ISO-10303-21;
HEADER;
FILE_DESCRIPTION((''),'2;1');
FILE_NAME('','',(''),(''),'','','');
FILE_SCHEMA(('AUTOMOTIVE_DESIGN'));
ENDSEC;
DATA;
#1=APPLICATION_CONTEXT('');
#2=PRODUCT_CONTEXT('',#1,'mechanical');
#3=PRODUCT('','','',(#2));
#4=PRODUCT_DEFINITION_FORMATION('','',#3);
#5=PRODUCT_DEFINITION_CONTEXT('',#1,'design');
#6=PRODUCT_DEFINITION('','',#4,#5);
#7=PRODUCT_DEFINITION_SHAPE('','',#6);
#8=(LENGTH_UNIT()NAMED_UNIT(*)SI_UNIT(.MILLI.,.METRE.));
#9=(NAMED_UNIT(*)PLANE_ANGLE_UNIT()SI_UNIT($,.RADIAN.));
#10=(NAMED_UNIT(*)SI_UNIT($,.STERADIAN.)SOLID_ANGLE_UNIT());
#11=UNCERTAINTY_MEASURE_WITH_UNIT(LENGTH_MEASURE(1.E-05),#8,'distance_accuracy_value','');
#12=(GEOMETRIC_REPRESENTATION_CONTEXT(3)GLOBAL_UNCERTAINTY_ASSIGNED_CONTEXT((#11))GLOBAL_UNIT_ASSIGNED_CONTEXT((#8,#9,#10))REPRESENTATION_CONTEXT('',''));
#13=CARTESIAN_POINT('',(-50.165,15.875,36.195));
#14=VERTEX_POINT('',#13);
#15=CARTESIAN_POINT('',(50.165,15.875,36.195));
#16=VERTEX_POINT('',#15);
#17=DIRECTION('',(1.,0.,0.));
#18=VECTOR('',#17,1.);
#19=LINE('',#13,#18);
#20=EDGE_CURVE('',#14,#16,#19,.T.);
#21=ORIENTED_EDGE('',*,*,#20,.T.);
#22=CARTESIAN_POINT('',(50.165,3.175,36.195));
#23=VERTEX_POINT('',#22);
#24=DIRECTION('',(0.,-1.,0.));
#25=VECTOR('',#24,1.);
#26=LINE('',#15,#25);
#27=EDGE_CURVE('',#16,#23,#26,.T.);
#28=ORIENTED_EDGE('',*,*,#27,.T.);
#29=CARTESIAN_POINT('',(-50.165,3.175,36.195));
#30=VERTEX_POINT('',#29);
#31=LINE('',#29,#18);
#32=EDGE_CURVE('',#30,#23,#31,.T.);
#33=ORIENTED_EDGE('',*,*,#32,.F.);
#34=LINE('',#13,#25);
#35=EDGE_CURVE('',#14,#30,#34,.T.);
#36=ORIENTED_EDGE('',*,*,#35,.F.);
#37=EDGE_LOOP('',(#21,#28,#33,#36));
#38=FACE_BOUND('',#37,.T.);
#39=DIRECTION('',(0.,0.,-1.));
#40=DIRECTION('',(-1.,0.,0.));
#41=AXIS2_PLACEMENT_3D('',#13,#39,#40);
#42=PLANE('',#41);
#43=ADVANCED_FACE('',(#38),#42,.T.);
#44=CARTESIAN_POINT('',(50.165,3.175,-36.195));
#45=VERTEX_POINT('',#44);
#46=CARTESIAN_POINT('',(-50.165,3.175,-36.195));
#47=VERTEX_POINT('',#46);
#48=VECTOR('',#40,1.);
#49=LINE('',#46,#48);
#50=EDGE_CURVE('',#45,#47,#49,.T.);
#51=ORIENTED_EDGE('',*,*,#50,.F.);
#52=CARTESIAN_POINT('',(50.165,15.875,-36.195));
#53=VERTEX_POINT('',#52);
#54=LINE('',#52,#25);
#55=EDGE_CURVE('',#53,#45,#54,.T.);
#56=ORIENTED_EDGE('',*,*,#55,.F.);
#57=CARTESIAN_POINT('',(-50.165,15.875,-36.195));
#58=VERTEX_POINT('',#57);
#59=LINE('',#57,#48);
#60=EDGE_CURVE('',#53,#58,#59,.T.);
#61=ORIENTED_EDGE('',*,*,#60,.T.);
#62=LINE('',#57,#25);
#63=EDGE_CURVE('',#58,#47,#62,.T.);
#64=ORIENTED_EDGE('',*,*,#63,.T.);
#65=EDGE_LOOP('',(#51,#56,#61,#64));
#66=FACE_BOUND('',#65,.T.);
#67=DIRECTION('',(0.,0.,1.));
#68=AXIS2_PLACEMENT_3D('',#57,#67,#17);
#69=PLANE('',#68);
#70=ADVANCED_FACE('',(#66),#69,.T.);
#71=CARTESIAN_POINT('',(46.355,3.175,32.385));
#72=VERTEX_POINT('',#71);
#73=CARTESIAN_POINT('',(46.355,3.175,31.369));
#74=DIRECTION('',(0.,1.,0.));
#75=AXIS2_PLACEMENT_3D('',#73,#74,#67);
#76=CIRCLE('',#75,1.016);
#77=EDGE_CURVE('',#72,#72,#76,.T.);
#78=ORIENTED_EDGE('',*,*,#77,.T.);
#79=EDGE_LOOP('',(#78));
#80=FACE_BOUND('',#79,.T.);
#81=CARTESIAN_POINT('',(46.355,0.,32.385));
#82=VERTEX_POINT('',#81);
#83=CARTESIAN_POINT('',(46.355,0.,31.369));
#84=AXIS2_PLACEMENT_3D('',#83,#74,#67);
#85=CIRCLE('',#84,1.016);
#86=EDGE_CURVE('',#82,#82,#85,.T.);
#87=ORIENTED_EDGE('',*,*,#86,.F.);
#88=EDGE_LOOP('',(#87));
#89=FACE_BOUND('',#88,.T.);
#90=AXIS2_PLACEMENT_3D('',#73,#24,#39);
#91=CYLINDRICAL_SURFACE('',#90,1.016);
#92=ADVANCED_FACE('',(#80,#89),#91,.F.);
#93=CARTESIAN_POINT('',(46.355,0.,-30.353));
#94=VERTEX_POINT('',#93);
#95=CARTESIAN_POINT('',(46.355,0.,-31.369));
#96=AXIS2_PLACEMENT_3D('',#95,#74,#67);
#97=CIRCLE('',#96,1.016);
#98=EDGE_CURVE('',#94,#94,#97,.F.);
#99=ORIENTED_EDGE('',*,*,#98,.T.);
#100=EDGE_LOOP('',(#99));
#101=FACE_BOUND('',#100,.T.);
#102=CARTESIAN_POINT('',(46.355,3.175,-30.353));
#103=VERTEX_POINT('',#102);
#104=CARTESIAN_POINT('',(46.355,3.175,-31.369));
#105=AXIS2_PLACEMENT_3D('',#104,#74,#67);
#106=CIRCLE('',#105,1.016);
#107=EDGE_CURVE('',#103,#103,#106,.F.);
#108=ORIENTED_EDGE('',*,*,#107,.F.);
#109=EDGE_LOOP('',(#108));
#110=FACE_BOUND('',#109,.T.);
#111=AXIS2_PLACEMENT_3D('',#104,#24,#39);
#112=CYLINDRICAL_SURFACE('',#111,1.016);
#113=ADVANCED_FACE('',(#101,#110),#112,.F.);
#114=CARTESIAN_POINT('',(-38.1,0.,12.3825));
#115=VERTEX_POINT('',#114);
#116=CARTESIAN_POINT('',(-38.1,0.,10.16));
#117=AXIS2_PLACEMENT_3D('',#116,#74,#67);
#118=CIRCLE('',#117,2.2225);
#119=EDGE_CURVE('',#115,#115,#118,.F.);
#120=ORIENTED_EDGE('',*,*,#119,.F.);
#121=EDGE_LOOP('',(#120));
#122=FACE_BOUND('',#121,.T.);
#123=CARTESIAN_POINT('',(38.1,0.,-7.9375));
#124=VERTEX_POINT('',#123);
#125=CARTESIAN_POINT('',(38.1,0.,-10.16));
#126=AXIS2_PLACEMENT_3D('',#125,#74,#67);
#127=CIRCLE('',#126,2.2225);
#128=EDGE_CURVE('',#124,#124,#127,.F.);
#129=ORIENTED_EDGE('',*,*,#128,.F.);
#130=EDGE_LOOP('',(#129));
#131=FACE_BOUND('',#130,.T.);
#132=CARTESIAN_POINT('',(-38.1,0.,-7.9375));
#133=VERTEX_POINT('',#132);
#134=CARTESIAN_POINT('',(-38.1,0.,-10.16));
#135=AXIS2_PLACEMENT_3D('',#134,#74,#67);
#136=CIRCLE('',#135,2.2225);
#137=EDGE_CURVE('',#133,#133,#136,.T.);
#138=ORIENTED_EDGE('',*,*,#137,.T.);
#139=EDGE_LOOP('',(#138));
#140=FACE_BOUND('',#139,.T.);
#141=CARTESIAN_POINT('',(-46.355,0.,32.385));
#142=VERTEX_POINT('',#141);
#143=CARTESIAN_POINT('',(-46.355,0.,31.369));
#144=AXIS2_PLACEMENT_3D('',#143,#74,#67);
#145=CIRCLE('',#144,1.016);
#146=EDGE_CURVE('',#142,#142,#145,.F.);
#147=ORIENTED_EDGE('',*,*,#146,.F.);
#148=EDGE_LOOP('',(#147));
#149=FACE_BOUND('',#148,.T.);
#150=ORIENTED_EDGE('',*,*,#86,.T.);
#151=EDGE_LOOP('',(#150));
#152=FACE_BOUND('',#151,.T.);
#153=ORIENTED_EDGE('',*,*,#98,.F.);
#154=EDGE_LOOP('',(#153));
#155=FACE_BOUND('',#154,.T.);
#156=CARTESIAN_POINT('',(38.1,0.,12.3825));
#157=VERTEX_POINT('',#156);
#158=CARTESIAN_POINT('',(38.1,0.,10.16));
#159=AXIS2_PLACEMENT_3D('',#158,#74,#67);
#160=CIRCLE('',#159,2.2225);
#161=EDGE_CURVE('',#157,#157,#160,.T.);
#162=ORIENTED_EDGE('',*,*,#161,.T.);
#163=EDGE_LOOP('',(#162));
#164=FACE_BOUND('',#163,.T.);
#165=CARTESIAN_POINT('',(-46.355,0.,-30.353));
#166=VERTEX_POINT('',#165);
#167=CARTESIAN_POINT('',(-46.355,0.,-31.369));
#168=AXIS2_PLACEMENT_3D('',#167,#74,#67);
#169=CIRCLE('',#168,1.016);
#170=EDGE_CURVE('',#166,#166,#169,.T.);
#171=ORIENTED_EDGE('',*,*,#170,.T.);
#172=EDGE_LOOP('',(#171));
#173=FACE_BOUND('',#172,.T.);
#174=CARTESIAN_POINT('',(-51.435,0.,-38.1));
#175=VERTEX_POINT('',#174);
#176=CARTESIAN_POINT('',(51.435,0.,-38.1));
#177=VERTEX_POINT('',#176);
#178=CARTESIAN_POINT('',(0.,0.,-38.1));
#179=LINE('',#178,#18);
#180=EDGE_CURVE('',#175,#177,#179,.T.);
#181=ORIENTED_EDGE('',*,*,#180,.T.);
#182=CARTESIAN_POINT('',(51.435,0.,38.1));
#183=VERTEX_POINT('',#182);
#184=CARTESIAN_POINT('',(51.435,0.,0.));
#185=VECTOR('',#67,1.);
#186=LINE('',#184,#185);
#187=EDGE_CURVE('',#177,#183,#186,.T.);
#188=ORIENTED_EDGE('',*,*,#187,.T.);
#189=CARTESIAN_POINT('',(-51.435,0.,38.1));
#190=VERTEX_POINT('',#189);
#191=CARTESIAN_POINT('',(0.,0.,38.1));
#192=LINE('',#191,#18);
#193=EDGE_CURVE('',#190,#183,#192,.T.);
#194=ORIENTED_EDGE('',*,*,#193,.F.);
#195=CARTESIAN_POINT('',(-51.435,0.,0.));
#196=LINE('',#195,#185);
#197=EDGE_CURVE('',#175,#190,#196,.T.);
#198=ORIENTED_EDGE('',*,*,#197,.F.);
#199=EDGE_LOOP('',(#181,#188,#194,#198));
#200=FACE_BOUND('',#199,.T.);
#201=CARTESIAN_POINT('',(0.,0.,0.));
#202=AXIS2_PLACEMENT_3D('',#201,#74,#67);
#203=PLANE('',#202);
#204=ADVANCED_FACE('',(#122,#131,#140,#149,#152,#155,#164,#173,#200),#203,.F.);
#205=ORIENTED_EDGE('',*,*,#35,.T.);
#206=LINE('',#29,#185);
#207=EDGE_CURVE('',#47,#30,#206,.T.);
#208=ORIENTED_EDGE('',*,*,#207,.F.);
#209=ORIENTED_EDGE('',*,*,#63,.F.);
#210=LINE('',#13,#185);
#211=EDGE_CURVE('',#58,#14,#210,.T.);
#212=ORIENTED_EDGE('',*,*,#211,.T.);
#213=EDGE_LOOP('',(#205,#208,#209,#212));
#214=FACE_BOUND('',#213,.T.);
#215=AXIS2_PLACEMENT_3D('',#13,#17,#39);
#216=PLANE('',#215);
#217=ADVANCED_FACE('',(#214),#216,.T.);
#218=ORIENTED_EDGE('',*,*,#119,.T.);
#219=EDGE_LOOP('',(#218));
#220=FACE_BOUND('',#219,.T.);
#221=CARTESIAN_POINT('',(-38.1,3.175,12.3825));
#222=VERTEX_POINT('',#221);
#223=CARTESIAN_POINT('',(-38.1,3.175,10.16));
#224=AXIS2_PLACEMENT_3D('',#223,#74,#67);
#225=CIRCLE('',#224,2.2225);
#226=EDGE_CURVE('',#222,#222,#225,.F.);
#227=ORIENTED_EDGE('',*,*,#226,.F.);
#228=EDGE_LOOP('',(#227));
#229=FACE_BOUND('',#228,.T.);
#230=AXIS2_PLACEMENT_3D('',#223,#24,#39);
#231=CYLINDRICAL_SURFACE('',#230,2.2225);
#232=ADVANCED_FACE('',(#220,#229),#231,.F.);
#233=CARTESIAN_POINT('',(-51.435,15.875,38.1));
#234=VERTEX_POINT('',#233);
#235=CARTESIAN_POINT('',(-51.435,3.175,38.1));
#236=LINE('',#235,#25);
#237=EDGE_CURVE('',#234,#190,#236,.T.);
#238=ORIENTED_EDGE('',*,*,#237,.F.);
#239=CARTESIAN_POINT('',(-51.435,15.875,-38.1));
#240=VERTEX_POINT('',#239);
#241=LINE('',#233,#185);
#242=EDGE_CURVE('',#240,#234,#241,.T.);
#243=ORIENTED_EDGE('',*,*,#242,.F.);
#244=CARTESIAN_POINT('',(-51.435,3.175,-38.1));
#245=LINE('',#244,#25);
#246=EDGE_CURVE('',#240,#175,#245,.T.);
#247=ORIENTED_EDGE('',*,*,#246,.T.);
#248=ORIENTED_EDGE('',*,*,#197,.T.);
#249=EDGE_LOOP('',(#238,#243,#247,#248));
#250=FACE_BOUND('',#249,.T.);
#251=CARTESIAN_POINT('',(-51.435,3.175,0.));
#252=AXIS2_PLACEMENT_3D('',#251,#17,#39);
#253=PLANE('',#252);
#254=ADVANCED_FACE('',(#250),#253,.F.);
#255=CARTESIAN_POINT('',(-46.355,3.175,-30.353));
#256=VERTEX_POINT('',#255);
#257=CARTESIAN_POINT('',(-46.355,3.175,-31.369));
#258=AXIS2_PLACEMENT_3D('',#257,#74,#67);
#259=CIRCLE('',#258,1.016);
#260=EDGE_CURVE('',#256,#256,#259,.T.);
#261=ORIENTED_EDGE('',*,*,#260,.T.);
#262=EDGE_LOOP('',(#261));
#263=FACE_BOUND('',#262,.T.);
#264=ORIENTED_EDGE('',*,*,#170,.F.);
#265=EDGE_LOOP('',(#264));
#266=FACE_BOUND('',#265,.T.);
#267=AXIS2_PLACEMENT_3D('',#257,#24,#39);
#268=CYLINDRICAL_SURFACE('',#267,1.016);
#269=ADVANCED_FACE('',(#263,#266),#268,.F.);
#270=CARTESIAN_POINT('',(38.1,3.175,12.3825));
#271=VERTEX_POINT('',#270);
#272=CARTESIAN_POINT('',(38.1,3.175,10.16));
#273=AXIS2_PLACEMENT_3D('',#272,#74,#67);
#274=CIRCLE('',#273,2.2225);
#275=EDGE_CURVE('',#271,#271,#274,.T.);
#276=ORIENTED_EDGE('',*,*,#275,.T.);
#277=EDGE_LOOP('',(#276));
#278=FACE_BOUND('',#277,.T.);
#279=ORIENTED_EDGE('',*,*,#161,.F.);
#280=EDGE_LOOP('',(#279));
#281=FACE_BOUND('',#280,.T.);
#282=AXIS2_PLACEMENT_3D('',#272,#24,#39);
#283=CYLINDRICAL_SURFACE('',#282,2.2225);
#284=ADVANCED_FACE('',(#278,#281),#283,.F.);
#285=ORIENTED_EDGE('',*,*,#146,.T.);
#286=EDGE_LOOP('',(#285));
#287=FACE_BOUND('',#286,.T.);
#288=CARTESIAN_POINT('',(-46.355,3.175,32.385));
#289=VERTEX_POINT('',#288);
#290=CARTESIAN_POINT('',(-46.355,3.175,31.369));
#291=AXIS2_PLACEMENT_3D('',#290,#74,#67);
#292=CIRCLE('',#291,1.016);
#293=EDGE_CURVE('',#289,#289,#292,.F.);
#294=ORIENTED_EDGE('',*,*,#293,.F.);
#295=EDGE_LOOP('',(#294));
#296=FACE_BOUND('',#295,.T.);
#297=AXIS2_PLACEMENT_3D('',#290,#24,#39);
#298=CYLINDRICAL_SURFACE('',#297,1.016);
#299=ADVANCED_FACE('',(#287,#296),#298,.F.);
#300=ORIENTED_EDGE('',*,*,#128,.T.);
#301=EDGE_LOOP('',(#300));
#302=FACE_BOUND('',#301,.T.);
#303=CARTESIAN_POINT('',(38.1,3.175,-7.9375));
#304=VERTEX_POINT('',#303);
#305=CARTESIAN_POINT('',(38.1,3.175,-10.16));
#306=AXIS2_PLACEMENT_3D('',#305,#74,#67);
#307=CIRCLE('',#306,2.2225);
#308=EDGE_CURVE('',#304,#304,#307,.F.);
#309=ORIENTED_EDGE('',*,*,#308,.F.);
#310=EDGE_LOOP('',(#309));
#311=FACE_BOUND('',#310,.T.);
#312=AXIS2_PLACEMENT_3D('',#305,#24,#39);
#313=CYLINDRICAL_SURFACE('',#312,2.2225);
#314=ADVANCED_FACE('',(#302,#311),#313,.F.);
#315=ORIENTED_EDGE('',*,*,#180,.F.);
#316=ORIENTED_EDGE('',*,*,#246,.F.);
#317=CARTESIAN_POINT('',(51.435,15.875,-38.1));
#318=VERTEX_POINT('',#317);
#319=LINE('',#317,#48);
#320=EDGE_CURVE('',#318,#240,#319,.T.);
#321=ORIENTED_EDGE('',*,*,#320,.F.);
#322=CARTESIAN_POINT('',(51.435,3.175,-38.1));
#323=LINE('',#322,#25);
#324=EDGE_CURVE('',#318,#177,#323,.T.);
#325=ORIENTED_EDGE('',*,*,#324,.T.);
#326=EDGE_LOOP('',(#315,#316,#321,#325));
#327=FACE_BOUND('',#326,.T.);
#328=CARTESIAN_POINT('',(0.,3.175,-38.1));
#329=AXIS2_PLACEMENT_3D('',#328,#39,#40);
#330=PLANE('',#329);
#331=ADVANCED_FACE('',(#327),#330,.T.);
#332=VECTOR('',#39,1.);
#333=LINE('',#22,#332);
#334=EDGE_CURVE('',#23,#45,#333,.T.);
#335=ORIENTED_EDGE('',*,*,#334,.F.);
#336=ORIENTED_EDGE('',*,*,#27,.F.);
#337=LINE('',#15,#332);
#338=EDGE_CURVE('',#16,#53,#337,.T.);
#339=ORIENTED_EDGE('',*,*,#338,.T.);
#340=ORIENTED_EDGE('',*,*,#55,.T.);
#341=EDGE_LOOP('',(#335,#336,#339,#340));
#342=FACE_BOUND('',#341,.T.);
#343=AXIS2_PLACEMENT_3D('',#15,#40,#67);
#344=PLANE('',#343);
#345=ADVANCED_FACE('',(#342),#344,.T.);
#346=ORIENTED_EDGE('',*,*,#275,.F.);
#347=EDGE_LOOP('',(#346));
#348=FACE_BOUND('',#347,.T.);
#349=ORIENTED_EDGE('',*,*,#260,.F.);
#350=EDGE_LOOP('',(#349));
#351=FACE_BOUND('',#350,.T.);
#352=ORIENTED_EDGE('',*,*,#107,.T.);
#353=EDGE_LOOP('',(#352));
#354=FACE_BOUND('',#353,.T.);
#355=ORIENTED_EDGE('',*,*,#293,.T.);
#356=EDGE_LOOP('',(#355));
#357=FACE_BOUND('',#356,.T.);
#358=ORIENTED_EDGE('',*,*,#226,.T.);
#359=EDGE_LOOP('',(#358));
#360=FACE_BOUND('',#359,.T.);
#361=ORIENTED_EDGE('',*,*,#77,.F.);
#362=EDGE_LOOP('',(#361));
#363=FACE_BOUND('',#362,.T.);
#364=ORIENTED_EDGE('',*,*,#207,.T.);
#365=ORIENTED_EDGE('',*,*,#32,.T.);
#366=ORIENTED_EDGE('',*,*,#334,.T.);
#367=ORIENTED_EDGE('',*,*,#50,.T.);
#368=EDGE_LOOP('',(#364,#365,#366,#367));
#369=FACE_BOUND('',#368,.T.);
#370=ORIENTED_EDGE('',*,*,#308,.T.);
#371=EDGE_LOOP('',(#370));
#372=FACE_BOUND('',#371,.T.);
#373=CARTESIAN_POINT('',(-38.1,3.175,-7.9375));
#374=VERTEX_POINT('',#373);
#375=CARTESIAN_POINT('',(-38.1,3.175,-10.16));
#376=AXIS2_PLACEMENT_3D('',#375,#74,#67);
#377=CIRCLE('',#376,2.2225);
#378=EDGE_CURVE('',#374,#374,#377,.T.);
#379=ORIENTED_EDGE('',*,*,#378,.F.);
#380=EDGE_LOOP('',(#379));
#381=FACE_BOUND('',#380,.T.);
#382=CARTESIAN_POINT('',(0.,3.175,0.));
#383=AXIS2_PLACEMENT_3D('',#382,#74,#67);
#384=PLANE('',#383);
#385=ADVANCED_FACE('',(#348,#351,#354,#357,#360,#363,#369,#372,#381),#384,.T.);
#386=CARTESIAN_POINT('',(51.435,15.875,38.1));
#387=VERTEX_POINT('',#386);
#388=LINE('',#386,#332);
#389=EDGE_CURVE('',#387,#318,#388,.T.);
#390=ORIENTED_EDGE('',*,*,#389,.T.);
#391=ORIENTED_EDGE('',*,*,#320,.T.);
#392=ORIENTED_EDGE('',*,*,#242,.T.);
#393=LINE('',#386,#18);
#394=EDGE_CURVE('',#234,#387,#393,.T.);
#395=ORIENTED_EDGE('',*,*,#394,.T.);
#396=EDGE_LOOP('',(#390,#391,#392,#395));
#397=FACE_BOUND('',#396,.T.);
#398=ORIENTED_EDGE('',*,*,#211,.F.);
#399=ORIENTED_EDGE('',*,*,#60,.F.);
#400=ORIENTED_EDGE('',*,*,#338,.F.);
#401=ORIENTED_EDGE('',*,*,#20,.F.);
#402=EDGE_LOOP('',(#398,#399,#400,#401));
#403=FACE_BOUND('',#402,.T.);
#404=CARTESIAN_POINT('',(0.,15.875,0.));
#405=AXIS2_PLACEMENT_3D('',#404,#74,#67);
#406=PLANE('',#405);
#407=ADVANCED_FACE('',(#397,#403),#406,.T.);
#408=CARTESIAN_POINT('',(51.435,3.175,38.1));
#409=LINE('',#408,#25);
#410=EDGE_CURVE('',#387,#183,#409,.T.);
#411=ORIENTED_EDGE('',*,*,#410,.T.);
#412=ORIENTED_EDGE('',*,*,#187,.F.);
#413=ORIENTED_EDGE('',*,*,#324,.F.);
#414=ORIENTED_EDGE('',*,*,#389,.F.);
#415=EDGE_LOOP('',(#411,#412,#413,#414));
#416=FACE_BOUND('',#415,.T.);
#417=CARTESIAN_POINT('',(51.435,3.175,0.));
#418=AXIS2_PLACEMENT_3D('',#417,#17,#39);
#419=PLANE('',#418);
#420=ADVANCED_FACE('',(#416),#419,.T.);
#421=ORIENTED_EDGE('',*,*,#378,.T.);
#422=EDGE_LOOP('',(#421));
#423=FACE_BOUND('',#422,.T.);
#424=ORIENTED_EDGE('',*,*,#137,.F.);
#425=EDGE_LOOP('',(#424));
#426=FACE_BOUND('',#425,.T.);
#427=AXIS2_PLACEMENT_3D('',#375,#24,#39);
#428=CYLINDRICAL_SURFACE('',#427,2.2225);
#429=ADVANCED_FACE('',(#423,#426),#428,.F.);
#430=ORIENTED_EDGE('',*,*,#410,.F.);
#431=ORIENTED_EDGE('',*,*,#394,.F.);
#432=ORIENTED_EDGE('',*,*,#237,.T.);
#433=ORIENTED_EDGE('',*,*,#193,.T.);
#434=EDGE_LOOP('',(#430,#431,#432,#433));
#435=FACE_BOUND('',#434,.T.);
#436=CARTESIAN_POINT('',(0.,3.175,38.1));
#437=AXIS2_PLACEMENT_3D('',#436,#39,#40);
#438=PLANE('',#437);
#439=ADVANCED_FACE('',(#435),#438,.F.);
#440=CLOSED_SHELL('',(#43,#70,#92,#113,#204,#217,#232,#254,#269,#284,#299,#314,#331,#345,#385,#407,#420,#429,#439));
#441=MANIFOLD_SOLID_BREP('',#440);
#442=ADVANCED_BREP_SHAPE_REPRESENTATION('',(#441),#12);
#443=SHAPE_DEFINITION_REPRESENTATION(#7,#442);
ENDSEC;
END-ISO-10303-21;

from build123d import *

# Parameters (mm, degrees)
SKETCH1_W           = 102.87
SKETCH1_H           = 76.2
SKETCH1_R           = 2.2225
SKETCH1_R_2         = 1.016
BOSS_EXTRUDE1_DEPTH = 3.175
SKETCH2_W           = 102.87
SKETCH2_H           = 76.2
SKETCH2_W_2         = 100.33
SKETCH2_H_2         = 72.39
BOSS_EXTRUDE3_DEPTH = 12.7


with BuildPart() as part:
    # Sketch1 → Boss-Extrude1 (new body)
    with BuildSketch(Plane(origin=(0, 0, 0), x_dir=(1, 0, 0), z_dir=(0, 1, 0))):
        Rectangle(SKETCH1_W, SKETCH1_H)
        with Locations((-38.1, -10.16)):
            Circle(SKETCH1_R, mode=Mode.SUBTRACT)
        with Locations((38.1, -10.16)):
            Circle(SKETCH1_R, mode=Mode.SUBTRACT)
        with Locations((-38.1, 10.16)):
            Circle(SKETCH1_R, mode=Mode.SUBTRACT)
        with Locations((38.1, 10.16)):
            Circle(SKETCH1_R, mode=Mode.SUBTRACT)
        with Locations((-46.355, 31.369)):
            Circle(SKETCH1_R_2, mode=Mode.SUBTRACT)
        with Locations((-46.355, -31.369)):
            Circle(SKETCH1_R_2, mode=Mode.SUBTRACT)
        with Locations((46.355, 31.369)):
            Circle(SKETCH1_R_2, mode=Mode.SUBTRACT)
        with Locations((46.355, -31.369)):
            Circle(SKETCH1_R_2, mode=Mode.SUBTRACT)
    extrude(amount=BOSS_EXTRUDE1_DEPTH)

    # Sketch2 → Boss-Extrude3 (add)
    with BuildSketch(Plane(origin=(0, 3.175, 0), x_dir=(1, 0, 0), z_dir=(0, 1, 0))):
        Rectangle(SKETCH2_W, SKETCH2_H)
        Rectangle(SKETCH2_W_2, SKETCH2_H_2, mode=Mode.SUBTRACT)
    extrude(amount=BOSS_EXTRUDE3_DEPTH)


solid = part.part
